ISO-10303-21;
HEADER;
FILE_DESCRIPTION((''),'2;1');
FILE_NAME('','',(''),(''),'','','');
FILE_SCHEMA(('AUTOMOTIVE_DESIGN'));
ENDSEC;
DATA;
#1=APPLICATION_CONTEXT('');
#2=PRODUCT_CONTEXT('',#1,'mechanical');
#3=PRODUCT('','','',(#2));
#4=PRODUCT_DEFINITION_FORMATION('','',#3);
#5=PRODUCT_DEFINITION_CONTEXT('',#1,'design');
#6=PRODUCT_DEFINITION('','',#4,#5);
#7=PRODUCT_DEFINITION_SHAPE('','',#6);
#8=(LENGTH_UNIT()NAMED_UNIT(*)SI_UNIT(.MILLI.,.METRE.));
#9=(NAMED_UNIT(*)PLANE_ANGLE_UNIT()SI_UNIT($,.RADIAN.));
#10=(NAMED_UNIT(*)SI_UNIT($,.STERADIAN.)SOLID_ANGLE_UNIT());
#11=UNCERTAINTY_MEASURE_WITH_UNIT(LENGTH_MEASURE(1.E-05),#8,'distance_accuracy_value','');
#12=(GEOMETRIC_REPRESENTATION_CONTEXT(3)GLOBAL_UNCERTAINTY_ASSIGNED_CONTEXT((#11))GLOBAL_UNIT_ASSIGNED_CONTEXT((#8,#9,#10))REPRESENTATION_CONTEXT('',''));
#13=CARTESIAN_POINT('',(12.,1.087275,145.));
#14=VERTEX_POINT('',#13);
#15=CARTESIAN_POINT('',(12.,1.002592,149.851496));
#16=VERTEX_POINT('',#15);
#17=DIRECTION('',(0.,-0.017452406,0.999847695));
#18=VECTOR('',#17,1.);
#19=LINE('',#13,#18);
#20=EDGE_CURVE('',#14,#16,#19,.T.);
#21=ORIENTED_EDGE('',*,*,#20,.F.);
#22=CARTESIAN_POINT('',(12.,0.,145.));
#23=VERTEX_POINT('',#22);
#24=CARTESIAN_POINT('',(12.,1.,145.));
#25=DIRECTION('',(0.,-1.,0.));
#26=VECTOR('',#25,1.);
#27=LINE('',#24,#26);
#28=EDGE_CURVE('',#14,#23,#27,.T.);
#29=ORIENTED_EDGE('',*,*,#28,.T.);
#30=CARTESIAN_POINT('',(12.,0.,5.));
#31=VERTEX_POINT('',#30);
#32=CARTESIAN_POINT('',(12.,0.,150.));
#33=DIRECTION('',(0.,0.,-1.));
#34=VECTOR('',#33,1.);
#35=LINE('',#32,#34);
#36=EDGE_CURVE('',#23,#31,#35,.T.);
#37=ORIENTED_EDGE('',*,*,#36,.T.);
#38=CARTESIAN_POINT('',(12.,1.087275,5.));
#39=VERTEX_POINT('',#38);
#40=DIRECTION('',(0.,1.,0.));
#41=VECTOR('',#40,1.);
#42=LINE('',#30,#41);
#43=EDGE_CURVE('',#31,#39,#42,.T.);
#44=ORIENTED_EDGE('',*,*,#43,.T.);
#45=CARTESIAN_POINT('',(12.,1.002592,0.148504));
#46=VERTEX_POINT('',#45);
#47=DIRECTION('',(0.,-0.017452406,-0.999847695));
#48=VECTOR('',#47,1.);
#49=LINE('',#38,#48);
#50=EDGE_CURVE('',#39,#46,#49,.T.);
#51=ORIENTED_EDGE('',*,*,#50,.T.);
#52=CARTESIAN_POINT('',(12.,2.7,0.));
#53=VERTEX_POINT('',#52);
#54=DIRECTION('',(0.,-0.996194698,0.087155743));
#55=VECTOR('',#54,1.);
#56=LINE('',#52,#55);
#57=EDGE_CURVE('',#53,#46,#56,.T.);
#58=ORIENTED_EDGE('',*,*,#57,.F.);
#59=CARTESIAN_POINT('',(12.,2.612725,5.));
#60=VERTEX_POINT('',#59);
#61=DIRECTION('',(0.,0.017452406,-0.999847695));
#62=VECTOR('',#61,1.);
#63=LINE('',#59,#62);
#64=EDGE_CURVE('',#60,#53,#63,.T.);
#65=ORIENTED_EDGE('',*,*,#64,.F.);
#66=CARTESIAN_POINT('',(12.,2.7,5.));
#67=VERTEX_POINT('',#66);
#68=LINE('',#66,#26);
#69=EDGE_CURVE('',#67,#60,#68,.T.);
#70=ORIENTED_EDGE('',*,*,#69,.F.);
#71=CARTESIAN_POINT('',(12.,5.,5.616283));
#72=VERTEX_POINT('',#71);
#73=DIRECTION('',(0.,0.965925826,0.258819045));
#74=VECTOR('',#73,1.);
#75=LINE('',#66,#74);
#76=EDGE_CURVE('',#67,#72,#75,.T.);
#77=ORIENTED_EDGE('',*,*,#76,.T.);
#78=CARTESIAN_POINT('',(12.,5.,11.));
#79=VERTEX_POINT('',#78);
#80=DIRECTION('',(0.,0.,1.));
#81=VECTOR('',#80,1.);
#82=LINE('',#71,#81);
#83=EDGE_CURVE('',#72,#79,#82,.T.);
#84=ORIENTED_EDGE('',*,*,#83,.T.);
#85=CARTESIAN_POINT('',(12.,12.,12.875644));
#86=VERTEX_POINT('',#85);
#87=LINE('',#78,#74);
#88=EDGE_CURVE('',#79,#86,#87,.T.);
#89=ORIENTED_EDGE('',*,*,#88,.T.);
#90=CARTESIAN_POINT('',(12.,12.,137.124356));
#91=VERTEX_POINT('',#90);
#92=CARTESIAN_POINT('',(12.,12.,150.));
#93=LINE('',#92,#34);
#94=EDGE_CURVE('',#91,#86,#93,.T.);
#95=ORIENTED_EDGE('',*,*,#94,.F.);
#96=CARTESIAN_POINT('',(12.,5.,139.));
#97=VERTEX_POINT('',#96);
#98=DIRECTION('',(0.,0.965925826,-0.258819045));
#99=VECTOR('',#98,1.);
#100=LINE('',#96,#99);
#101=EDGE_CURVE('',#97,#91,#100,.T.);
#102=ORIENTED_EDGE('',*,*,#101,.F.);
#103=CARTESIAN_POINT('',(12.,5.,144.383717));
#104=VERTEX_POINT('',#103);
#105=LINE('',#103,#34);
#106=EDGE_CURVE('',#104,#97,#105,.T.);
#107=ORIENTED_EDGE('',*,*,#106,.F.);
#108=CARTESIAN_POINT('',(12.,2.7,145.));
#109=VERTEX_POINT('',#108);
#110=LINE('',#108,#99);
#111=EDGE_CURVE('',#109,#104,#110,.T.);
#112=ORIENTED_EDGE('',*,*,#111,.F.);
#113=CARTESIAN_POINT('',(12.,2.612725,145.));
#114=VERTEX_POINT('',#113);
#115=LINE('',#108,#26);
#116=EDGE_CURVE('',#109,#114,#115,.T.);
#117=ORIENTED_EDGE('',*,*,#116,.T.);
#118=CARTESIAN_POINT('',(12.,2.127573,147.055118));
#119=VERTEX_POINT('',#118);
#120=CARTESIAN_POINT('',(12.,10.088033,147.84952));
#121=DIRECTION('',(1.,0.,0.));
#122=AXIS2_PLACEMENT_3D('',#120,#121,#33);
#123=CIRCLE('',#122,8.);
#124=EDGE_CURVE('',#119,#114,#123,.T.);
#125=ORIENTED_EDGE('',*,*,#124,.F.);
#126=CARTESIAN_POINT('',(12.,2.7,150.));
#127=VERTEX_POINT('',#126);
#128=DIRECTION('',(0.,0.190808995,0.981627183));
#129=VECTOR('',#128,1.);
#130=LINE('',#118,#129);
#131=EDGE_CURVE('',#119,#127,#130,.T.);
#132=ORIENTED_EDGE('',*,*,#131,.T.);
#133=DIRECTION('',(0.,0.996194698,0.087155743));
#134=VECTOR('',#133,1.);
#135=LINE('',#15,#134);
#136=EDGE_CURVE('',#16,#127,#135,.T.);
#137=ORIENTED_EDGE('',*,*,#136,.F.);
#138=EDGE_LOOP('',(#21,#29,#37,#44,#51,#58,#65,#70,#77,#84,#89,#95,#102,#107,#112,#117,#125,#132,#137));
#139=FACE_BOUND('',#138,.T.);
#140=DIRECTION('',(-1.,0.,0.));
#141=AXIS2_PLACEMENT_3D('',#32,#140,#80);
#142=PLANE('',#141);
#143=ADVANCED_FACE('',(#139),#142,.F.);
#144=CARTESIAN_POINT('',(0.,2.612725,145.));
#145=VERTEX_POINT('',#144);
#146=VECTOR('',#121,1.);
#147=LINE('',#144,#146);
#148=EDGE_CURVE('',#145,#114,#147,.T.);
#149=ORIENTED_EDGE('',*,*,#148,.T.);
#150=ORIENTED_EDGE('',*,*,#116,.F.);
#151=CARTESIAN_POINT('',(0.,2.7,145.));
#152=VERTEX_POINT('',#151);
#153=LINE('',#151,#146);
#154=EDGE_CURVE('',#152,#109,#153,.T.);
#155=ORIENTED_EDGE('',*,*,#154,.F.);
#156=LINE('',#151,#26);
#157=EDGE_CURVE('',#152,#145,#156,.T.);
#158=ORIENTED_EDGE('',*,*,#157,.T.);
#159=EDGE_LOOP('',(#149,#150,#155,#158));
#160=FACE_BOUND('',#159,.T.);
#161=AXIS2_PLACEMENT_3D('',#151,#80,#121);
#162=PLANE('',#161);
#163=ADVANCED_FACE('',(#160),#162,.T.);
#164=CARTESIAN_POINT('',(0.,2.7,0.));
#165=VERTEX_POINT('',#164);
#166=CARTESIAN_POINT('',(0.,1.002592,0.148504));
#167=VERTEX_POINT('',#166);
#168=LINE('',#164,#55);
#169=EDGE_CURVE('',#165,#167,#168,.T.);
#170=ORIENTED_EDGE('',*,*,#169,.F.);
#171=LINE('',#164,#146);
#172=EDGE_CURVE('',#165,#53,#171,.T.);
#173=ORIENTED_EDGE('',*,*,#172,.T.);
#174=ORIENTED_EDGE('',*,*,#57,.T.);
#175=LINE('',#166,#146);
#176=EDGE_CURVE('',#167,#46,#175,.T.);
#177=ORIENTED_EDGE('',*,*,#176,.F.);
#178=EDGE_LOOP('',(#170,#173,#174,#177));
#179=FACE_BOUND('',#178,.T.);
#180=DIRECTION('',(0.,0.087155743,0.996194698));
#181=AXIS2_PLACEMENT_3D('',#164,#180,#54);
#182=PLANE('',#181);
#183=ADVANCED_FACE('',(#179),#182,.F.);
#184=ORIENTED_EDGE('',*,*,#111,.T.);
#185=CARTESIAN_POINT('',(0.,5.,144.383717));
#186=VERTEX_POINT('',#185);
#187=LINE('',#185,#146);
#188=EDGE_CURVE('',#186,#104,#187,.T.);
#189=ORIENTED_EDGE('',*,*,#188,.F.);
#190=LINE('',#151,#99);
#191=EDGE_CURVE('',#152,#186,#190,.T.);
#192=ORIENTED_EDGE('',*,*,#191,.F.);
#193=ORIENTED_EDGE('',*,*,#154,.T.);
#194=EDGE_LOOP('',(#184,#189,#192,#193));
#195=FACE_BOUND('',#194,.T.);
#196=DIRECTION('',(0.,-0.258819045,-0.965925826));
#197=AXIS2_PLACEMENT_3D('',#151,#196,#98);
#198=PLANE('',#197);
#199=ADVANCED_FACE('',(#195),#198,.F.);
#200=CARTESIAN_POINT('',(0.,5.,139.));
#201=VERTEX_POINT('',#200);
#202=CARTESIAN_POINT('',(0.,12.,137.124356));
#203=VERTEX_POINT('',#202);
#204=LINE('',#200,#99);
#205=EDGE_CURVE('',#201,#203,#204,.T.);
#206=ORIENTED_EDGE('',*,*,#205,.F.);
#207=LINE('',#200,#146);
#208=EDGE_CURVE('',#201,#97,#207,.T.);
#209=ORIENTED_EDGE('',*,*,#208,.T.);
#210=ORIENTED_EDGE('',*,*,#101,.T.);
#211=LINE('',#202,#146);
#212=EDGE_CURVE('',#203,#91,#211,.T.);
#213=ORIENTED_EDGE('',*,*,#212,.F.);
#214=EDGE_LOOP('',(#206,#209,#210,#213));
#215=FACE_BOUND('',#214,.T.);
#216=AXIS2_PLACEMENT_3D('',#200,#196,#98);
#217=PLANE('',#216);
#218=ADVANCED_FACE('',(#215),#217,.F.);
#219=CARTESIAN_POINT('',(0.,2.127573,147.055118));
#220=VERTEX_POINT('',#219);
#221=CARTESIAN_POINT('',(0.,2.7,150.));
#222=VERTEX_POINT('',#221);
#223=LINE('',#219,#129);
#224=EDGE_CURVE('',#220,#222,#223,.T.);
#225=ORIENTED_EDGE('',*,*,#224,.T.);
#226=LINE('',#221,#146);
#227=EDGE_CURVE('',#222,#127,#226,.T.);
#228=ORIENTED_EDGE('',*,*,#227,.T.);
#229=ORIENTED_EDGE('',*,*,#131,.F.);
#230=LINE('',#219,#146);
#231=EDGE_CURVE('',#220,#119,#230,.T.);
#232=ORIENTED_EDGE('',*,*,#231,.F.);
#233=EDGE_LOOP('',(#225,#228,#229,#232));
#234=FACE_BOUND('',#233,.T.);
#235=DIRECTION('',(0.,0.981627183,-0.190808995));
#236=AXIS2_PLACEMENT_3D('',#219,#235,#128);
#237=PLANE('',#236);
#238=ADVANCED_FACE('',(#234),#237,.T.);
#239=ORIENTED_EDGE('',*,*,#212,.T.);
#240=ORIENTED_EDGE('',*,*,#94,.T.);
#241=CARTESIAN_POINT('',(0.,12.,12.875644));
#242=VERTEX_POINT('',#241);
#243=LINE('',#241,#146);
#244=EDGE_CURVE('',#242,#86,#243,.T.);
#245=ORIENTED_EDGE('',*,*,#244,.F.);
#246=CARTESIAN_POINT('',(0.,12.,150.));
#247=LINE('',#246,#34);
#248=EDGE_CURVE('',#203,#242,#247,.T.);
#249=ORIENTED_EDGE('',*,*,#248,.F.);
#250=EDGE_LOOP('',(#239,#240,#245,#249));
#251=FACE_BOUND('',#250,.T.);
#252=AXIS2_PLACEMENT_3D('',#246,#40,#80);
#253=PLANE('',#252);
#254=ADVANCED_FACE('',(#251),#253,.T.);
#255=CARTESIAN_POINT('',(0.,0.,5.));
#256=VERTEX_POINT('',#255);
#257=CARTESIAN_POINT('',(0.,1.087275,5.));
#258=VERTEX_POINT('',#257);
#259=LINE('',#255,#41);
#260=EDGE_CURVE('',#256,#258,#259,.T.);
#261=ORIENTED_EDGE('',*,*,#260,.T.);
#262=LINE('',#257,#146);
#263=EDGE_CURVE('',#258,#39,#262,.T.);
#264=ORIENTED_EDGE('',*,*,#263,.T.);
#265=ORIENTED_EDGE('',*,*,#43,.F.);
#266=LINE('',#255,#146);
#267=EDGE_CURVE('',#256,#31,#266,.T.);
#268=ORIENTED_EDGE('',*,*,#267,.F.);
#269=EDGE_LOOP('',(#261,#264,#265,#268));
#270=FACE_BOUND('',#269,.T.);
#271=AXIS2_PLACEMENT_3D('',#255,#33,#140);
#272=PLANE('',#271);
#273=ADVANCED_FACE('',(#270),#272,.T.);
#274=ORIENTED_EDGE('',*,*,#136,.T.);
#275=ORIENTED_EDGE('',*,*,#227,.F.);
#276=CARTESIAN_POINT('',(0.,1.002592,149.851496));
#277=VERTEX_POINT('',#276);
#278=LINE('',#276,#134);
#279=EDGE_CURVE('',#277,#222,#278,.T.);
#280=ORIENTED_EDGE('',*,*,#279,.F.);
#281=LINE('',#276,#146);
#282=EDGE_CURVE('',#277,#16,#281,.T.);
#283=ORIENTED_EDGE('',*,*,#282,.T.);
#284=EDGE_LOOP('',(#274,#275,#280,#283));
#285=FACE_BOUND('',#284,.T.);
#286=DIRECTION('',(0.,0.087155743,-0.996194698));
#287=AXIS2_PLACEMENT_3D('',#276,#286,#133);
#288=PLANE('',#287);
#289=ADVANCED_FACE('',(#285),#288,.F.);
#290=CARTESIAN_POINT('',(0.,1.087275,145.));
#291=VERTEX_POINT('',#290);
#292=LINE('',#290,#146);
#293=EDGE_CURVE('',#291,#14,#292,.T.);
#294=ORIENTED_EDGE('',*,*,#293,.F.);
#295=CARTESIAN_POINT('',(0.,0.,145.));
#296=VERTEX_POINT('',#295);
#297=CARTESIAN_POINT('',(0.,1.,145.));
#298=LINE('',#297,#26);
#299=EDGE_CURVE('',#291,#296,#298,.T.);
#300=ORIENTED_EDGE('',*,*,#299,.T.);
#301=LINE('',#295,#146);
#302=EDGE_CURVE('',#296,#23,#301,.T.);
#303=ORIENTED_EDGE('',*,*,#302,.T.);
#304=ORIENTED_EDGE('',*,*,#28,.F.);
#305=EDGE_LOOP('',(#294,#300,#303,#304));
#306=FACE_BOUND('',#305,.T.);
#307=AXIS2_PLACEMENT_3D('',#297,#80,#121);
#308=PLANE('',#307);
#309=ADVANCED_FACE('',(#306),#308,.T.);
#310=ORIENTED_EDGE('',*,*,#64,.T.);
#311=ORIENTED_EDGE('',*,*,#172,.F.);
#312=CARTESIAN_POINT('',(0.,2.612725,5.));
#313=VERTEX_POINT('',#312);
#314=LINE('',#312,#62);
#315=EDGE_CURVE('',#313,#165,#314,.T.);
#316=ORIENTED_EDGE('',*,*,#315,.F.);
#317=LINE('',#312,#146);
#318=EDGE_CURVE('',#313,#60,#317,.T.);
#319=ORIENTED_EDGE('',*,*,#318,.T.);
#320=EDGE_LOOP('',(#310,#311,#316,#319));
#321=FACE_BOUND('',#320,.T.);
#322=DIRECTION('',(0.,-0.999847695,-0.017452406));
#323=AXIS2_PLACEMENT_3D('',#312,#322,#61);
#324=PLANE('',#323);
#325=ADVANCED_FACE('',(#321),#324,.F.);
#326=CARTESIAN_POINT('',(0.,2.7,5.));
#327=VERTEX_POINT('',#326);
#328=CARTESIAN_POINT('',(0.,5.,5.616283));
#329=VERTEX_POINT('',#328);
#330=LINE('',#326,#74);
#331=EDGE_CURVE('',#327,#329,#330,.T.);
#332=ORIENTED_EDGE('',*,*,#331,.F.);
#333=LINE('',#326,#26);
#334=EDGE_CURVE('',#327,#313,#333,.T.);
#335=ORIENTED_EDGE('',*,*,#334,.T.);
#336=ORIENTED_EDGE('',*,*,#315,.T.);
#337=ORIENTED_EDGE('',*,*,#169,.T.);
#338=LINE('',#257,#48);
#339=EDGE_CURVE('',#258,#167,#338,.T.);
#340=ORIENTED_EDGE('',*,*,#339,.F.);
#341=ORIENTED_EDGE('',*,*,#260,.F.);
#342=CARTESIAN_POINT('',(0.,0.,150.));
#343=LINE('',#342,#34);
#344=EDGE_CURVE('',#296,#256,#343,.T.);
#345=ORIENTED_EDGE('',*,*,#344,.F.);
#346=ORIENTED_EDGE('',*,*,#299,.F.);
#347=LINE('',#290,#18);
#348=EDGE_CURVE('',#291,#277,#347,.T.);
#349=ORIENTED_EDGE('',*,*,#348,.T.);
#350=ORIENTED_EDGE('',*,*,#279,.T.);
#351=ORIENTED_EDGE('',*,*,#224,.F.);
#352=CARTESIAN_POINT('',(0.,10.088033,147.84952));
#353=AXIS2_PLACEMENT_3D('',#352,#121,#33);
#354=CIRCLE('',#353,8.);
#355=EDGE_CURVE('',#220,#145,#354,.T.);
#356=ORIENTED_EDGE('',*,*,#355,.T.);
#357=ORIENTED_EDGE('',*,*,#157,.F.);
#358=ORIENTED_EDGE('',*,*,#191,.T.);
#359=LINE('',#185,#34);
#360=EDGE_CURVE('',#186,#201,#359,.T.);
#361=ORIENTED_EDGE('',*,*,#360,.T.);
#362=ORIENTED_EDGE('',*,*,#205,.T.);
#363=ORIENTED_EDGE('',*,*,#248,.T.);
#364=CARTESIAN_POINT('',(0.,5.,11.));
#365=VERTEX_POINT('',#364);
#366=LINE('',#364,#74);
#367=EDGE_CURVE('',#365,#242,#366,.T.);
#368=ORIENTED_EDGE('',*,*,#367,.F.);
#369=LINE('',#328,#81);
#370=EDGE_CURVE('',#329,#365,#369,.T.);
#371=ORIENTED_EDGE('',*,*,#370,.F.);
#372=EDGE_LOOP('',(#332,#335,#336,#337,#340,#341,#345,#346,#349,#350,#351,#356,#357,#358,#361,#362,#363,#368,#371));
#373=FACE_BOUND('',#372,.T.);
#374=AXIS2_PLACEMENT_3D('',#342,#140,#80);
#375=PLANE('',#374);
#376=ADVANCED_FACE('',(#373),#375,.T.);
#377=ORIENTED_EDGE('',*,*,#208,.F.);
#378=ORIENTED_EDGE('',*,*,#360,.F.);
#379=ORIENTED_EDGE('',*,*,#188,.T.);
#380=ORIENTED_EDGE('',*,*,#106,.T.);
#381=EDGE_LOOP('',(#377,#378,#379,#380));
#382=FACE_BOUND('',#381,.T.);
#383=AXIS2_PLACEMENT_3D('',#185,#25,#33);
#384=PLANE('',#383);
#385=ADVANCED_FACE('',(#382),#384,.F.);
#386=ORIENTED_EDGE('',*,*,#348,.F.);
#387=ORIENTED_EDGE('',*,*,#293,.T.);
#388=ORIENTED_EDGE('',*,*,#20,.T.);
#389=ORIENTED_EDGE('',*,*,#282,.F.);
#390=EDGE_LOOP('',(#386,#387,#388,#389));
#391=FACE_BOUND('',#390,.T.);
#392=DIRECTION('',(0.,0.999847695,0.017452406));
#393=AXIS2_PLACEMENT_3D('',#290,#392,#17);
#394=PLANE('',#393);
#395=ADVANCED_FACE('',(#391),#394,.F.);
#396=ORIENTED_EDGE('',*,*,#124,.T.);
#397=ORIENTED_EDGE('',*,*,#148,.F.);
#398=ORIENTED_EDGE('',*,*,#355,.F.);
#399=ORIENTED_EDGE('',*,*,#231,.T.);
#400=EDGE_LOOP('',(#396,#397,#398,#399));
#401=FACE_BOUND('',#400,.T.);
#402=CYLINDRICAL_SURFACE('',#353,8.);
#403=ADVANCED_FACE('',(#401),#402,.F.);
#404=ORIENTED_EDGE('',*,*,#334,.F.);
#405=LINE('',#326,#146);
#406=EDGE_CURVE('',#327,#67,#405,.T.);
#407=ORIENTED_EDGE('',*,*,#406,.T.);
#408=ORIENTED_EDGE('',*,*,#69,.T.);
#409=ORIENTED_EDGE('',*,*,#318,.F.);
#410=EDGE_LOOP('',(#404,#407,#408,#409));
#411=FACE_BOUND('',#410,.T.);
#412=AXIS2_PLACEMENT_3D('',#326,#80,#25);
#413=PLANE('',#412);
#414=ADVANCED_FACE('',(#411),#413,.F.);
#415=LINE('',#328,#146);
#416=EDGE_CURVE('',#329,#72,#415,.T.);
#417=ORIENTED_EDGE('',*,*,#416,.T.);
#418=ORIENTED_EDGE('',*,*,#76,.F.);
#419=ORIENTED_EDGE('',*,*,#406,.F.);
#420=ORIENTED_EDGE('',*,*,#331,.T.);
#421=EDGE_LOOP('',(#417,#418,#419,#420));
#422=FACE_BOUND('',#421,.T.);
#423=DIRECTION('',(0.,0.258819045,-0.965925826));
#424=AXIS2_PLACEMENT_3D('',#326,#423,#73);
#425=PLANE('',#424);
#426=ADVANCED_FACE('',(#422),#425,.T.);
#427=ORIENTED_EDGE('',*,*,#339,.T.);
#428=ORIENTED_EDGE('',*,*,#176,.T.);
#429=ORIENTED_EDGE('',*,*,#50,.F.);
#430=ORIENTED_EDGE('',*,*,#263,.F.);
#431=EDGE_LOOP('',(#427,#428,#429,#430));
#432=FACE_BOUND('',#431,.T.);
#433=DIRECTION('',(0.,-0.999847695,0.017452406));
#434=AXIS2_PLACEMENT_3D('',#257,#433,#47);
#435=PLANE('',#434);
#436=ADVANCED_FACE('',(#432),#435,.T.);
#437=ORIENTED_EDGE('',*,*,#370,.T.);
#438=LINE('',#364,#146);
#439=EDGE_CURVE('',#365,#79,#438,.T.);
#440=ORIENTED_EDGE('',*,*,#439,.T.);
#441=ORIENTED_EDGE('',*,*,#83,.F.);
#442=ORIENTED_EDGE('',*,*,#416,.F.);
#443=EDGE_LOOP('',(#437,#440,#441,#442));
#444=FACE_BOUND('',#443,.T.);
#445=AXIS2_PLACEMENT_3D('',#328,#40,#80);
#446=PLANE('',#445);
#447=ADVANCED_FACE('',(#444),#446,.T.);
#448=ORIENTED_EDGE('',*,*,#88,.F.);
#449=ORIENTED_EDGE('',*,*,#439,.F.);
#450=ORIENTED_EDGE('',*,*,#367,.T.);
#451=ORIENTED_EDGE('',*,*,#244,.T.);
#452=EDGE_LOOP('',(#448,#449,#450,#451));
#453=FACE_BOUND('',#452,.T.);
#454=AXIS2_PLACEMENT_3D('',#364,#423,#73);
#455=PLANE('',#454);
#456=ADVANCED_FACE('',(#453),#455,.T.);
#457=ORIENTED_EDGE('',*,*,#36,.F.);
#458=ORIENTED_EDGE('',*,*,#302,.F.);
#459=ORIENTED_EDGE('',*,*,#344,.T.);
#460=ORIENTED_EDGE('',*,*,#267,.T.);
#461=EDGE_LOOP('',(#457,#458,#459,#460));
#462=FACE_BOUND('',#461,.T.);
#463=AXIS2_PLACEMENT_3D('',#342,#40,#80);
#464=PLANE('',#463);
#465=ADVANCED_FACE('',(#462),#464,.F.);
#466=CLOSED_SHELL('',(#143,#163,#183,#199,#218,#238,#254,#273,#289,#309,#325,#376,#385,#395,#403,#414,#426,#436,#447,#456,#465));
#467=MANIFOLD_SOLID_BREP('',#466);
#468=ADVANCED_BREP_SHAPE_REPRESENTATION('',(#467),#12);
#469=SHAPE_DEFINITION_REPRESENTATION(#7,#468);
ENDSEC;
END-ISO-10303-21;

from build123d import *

# Parameters (mm, degrees)
SKETCH1_W          = 12
SKETCH1_H          = 12
EXTRUDE1_DEPTH     = 150
SKETCH2_W          = 5
SKETCH2_H          = 1
CUT_EXTRUDE2_DEPTH = 151.956947505
CUT_EXTRUDE3_DEPTH = 151.956947505
CUT_EXTRUDE4_DEPTH = 151.956947505
CUT_EXTRUDE5_DEPTH = 151.956947505


with BuildPart() as part:
    # Sketch1 → Extrude1 (new body)
    with BuildSketch(Plane.XY):
        with Locations((6, 6)):
            Rectangle(SKETCH1_W, SKETCH1_H)
    extrude(amount=EXTRUDE1_DEPTH)

    # Sketch2 → Cut-Extrude2 (cut, through all)
    with BuildSketch(Plane(origin=(12, 0, 0), x_dir=(0, 0, -1), z_dir=(1, 0, 0))):
        with Locations((-2.5, 0.5)):
            Rectangle(SKETCH2_W, SKETCH2_H)
        with Locations((-147.5, 0.5)):
            Rectangle(SKETCH2_W, SKETCH2_H)
    extrude(amount=-CUT_EXTRUDE2_DEPTH, mode=Mode.SUBTRACT)

    # Sketch3 → Cut-Extrude3 (cut, through all)
    with BuildSketch(Plane(origin=(12, 0, 0), x_dir=(0, 0, -1), z_dir=(1, 0, 0))):
        Polygon((-150, 2.7), (-145, 2.7), (-144.383716857, 5), (-139, 5), (-137.124355653, 12), (-150, 12), align=None)
        Polygon((0, 2.7), (-5, 2.7), (-5.616283143, 5), (-11, 5), (-12.875644347, 12), (0, 12), align=None)
    extrude(amount=-CUT_EXTRUDE3_DEPTH, mode=Mode.SUBTRACT)

    # Sketch4 → Cut-Extrude4 (cut, through all)
    with BuildSketch(Plane(origin=(12, 0, 0), x_dir=(0, 0, -1), z_dir=(1, 0, 0))):
        Polygon((-145, 1), (-145, 1.087275325), (-150, 1), align=None)
        Polygon((-145, 2.7), (-145, 2.612724675), (-150, 2.7), align=None)
        Polygon((-5, 2.7), (-5, 2.612724675), (0, 2.7), align=None)
        Polygon((-5, 1), (-5, 1.087275325), (0, 1), align=None)
    extrude(amount=-CUT_EXTRUDE4_DEPTH, mode=Mode.SUBTRACT)

    # Sketch5 → Cut-Extrude5 (cut, through all)
    with BuildSketch(Plane(origin=(12, 0, 0), x_dir=(0, 0, -1), z_dir=(1, 0, 0))):
        Polygon((-149.851496055, 1.002592146), (-150, 2.7), (-150, 1), align=None)
        with BuildLine():
            Line((-145, 2.612724675), (-150, 2.7))
            Line((-150, 2.7), (-147.05511845, 2.127573014))
            ThreePointArc((-147.05511845, 2.127573014), (-146.011481885, 2.302044703), (-145, 2.612724675))
        make_face()
        Polygon((0, 1), (0, 2.7), (-0.148503945, 1.002592146), align=None)
    extrude(amount=-CUT_EXTRUDE5_DEPTH, mode=Mode.SUBTRACT)


solid = part.part
